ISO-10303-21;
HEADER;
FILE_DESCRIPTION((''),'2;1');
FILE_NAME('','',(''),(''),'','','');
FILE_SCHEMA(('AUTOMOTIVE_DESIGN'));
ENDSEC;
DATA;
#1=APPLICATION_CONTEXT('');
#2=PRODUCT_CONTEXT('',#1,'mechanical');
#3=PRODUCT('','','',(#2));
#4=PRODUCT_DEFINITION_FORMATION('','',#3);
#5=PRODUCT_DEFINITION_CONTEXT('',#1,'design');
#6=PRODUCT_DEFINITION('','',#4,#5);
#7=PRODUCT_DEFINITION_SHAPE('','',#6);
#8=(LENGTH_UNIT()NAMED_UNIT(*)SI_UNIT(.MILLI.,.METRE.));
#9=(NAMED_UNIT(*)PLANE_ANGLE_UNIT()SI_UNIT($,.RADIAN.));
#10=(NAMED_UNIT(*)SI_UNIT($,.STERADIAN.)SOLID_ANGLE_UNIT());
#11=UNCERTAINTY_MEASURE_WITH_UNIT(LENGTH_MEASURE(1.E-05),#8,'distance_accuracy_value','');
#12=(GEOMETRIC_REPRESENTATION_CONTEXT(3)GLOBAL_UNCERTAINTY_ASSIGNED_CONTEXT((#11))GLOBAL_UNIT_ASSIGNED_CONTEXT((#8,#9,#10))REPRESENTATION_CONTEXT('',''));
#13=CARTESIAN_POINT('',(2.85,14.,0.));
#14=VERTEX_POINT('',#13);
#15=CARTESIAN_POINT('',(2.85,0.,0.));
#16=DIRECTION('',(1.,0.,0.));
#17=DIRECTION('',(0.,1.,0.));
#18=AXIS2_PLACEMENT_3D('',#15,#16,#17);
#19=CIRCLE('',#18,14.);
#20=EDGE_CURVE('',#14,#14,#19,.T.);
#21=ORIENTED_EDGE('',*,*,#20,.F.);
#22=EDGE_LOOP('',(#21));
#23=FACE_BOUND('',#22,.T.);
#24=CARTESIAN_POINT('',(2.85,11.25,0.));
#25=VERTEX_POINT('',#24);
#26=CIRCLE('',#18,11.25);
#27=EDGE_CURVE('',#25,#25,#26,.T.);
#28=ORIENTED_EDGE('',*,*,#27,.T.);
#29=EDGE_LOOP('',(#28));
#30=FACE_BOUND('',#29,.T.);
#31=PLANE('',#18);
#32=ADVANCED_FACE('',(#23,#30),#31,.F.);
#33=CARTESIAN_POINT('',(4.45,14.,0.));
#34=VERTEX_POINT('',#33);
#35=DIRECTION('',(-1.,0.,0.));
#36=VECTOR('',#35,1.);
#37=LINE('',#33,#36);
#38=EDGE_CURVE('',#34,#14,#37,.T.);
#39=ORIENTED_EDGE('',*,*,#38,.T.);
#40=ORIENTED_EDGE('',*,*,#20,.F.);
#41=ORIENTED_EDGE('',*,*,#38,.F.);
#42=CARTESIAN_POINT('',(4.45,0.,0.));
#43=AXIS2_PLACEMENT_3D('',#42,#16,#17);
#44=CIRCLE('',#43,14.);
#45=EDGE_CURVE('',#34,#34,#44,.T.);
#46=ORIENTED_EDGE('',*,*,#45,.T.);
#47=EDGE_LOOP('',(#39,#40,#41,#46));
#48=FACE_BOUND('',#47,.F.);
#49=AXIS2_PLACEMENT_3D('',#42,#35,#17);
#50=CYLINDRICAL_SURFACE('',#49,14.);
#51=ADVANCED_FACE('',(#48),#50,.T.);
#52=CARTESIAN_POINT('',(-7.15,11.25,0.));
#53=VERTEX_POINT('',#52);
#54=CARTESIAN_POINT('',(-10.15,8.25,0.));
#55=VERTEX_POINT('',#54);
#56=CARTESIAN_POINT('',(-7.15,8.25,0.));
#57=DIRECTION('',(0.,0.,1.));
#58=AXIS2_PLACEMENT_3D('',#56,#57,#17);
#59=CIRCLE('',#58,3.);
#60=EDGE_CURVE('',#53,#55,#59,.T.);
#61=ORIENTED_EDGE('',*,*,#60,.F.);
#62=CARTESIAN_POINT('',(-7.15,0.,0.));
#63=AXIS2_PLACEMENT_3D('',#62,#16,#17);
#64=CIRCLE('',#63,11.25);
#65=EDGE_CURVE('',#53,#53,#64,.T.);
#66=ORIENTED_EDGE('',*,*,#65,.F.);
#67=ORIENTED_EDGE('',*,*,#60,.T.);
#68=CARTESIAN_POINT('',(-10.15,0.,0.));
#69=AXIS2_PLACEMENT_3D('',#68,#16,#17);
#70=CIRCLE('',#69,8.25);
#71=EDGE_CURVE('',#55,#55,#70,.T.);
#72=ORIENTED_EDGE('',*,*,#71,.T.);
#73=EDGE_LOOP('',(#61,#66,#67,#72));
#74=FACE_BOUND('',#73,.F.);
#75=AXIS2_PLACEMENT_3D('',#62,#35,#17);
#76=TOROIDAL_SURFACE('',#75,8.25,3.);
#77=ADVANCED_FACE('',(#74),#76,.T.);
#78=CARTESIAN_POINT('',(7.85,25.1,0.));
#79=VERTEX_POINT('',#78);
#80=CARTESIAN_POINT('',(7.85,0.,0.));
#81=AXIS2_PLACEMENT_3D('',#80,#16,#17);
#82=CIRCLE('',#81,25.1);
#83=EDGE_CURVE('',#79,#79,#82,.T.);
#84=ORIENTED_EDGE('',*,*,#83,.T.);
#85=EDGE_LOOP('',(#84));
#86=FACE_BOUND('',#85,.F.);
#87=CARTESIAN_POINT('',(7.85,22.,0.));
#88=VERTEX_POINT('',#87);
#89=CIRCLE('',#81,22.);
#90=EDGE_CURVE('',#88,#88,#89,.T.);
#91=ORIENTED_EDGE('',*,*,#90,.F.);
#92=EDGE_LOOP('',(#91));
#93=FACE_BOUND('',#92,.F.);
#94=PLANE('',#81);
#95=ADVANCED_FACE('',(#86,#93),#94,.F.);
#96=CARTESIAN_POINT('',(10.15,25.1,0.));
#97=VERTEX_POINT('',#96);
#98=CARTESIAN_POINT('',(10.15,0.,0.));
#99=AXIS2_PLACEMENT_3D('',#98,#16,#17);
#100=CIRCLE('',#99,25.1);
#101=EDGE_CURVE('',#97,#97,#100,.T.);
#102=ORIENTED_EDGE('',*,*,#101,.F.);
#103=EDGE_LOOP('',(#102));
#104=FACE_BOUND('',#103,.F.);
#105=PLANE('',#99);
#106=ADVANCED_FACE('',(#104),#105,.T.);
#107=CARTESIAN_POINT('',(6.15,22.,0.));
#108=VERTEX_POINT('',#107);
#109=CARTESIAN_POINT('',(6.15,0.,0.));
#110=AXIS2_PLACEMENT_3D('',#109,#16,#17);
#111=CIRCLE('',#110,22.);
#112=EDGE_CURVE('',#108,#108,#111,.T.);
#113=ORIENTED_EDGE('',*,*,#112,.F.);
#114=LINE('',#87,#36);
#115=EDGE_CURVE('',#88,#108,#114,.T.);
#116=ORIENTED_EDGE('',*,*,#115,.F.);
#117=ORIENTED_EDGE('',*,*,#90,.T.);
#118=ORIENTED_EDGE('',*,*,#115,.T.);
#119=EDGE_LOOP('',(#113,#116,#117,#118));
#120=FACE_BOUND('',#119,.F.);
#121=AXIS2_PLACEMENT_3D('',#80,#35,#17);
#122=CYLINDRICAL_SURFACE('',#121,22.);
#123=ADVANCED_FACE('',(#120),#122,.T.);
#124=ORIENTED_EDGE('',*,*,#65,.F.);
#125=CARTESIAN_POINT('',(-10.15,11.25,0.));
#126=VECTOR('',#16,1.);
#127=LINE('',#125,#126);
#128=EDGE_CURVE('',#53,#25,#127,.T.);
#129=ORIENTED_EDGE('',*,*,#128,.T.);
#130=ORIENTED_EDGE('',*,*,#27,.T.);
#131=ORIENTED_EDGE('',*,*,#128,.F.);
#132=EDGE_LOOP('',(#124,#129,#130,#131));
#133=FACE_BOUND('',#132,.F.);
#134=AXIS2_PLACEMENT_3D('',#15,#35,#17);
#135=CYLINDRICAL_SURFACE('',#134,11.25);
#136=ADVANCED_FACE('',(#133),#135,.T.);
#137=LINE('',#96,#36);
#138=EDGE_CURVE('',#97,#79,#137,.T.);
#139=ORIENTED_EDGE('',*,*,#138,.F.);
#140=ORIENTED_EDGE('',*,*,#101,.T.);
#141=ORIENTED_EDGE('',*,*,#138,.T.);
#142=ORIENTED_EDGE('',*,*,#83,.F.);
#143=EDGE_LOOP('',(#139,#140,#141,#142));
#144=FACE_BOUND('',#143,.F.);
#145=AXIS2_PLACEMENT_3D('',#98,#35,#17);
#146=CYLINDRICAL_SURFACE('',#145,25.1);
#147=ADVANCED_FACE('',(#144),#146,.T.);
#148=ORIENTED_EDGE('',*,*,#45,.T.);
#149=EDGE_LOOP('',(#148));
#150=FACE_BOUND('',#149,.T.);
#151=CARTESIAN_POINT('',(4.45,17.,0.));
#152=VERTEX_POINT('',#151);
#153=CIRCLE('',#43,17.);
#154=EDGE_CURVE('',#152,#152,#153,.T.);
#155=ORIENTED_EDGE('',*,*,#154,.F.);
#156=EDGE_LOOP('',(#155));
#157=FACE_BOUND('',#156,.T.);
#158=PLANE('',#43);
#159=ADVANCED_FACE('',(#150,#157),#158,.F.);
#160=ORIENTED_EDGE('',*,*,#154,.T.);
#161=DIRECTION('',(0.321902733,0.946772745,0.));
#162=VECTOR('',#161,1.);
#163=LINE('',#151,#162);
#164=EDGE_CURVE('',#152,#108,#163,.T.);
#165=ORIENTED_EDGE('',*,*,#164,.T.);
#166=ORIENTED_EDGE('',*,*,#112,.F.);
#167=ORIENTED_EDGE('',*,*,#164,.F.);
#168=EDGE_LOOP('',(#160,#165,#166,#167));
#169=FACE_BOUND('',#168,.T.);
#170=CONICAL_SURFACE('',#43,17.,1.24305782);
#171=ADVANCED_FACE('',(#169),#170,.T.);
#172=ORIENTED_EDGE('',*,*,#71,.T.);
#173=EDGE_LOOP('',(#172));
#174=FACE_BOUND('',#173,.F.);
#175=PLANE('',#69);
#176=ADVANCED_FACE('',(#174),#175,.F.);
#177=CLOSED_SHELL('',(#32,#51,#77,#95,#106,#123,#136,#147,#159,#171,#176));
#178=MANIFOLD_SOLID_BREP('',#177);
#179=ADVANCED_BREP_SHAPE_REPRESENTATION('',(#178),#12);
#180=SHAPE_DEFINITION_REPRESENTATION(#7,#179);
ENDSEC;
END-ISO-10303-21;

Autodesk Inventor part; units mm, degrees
ref_plane "YZ Plane" through (0, 0, 0) normal (1, 0, 0) x (0, 1, 0)
ref_plane "XZ Plane" through (0, 0, 0) normal (0, 1, 0) x (-1, 0, 0)
ref_plane "XY Plane" through (0, 0, 0) normal (0, 0, 1) x (1, 0, 0)
sketch "Náčrt1" plane through (0, 0, 0) normal (0, 0, 1) x (1, 0, 0)
  line L0 (0, 30.12) -> (0, -5.02) projected
  line L1 (-14.21, 0) -> (14.21, 0) projected
  line L2 (10.15, 0) -> (10.15, 25.1)
  line L3 (10.15, 25.1) -> (7.85, 25.1)
  line L4 (7.85, 25.1) -> (7.85, 22)
  line L5 (7.85, 22) -> (6.15, 22)
  line L6 (2.85, 11.25) -> (-10.15, 11.25)
  line L7 (-10.15, 11.25) -> (-10.15, 0)
  line L8 (-10.15, 0) -> (10.15, 0)
  line L9 (4.45, 14) -> (2.85, 14)
  line L10 (2.85, 11.25) -> (2.85, 14)
  line L11 (4.45, 14) -> (4.45, 17)
  line L12 (4.45, 17) -> (6.15, 22)
  point P0 (0, 0)
  point P1 (-10.15, 0)
  dimension "d0" = 25.1
  dimension "d1" = 11.25
  dimension "d2" = 22
  dimension "d3" = 14
  dimension "d4" = 13
  dimension "d5" = 20.3
  dimension "d6" = 3
  dimension "d7" = 2.3
  dimension "d8" = 5.7
  dimension "d9" = 4
revolve "Rotace1" add sketch "Náčrt1" angle 360 about axis through (0, 0, 0) along (1, 0, 0)
fillet "Zaoblení1" radius 3 1 edges at (-10.15, -11.25, 0)
properties part number "prop_speaker"
